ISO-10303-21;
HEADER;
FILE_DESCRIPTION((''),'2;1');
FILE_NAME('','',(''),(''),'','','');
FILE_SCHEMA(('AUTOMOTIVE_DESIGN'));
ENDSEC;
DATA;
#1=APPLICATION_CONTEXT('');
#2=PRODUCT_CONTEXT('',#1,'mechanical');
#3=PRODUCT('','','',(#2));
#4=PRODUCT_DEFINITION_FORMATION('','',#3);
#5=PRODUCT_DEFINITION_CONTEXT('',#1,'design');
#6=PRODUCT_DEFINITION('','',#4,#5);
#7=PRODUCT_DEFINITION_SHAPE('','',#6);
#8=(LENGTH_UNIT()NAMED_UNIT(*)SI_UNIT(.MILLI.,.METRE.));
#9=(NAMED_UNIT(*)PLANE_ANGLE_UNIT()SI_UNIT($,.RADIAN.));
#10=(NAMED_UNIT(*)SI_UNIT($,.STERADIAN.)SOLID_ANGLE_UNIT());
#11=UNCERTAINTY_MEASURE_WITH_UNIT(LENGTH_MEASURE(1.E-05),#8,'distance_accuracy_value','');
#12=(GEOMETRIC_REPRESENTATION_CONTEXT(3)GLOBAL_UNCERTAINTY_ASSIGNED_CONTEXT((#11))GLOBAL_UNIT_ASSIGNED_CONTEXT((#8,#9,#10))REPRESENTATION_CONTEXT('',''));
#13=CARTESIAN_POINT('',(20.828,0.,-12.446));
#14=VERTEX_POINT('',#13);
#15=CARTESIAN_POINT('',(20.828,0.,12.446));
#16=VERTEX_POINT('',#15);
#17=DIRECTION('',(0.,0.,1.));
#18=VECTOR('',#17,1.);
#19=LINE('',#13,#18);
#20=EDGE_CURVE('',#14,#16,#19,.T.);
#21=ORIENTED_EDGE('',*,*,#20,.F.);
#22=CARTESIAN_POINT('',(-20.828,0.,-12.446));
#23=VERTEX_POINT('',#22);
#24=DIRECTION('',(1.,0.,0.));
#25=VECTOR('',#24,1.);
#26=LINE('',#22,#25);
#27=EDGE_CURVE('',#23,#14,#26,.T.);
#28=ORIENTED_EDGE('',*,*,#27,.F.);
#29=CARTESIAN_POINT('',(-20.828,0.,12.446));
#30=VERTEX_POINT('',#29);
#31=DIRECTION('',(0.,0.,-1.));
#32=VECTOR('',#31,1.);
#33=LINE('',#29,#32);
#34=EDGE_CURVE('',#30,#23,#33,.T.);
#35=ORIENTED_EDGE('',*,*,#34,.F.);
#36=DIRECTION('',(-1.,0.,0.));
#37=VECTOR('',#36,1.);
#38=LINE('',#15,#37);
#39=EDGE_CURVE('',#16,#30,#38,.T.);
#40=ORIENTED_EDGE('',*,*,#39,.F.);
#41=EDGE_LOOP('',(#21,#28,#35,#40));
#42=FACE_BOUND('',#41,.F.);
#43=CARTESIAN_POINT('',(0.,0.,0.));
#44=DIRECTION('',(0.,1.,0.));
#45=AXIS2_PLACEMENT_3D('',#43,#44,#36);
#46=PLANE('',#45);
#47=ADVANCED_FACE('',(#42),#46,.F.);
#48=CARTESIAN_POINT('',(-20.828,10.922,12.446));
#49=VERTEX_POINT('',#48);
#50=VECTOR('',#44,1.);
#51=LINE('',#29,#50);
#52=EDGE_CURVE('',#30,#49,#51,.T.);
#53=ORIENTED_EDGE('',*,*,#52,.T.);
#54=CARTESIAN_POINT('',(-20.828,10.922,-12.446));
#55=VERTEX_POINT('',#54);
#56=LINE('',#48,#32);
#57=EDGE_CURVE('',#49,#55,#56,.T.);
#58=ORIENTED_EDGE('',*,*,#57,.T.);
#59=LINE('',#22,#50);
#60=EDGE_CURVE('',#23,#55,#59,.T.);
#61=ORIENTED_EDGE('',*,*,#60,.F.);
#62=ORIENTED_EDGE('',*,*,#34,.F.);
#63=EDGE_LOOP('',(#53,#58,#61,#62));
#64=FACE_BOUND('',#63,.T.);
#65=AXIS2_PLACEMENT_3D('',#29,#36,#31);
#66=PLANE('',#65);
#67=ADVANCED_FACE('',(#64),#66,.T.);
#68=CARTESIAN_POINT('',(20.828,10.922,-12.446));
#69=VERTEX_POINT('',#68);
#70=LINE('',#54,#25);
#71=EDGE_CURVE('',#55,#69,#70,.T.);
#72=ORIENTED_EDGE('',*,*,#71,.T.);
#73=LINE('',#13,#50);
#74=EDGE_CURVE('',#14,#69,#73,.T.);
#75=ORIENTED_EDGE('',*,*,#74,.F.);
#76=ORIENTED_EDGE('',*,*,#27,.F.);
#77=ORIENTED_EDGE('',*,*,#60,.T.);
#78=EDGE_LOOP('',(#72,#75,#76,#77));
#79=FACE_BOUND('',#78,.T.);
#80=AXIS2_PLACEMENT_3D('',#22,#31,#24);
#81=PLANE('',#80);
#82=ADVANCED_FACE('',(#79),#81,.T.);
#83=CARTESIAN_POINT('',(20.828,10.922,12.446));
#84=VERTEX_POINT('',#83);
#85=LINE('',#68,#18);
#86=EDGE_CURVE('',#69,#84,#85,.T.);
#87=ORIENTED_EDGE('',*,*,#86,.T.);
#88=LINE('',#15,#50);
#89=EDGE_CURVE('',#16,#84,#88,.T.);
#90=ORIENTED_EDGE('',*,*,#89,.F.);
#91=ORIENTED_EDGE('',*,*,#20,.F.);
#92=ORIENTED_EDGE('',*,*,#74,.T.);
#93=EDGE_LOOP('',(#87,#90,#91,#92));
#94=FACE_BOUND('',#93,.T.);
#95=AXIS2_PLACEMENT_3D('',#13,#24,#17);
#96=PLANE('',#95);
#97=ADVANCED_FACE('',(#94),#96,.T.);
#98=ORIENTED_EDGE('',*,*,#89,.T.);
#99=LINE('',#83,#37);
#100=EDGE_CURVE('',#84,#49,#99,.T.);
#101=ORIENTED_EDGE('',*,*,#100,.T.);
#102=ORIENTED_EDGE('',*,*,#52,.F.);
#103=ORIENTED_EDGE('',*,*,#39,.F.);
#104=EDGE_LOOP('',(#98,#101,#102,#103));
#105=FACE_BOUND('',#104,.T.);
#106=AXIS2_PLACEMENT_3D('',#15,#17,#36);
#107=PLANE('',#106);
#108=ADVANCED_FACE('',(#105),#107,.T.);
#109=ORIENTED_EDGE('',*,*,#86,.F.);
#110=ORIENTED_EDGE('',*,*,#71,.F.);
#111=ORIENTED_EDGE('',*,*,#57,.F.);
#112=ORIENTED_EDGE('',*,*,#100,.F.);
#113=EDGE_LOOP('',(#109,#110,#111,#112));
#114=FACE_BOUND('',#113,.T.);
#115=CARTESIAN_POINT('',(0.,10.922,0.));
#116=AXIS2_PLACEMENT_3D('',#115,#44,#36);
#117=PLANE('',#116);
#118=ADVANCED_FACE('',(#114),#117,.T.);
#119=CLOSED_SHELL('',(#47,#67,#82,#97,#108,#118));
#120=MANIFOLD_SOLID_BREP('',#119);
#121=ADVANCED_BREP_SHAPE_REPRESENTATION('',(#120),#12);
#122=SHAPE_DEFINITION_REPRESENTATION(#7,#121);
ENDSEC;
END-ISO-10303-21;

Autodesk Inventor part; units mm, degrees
ref_plane "YZ Plane" through (0, 0, 0) normal (1, 0, 0) x (0, 1, 0)
ref_plane "XZ Plane" through (0, 0, 0) normal (0, 1, 0) x (-1, 0, 0)
ref_plane "XY Plane" through (0, 0, 0) normal (0, 0, 1) x (1, 0, 0)
sketch "Sketch1" plane through (0, 0, 0) normal (0, 1, 0) x (-1, 0, 0)
  line L0 (-20.828, 12.446) -> (20.828, 12.446)
  line L1 (20.828, 12.446) -> (20.828, -12.446)
  line L2 (20.828, -12.446) -> (-20.828, -12.446)
  line L3 (-20.828, -12.446) -> (-20.828, 12.446)
  line L4 (-20.828, 12.446) -> (20.828, -12.446) construction
  line L5 (20.828, 12.446) -> (-20.828, -12.446) construction
  point P0 (0, 0)
  dimension "d0" = 41.656
  dimension "d1" = 24.892
extrude "Extrusion1" add sketch "Sketch1" along normal blind 10.922
properties part number "Battery"
